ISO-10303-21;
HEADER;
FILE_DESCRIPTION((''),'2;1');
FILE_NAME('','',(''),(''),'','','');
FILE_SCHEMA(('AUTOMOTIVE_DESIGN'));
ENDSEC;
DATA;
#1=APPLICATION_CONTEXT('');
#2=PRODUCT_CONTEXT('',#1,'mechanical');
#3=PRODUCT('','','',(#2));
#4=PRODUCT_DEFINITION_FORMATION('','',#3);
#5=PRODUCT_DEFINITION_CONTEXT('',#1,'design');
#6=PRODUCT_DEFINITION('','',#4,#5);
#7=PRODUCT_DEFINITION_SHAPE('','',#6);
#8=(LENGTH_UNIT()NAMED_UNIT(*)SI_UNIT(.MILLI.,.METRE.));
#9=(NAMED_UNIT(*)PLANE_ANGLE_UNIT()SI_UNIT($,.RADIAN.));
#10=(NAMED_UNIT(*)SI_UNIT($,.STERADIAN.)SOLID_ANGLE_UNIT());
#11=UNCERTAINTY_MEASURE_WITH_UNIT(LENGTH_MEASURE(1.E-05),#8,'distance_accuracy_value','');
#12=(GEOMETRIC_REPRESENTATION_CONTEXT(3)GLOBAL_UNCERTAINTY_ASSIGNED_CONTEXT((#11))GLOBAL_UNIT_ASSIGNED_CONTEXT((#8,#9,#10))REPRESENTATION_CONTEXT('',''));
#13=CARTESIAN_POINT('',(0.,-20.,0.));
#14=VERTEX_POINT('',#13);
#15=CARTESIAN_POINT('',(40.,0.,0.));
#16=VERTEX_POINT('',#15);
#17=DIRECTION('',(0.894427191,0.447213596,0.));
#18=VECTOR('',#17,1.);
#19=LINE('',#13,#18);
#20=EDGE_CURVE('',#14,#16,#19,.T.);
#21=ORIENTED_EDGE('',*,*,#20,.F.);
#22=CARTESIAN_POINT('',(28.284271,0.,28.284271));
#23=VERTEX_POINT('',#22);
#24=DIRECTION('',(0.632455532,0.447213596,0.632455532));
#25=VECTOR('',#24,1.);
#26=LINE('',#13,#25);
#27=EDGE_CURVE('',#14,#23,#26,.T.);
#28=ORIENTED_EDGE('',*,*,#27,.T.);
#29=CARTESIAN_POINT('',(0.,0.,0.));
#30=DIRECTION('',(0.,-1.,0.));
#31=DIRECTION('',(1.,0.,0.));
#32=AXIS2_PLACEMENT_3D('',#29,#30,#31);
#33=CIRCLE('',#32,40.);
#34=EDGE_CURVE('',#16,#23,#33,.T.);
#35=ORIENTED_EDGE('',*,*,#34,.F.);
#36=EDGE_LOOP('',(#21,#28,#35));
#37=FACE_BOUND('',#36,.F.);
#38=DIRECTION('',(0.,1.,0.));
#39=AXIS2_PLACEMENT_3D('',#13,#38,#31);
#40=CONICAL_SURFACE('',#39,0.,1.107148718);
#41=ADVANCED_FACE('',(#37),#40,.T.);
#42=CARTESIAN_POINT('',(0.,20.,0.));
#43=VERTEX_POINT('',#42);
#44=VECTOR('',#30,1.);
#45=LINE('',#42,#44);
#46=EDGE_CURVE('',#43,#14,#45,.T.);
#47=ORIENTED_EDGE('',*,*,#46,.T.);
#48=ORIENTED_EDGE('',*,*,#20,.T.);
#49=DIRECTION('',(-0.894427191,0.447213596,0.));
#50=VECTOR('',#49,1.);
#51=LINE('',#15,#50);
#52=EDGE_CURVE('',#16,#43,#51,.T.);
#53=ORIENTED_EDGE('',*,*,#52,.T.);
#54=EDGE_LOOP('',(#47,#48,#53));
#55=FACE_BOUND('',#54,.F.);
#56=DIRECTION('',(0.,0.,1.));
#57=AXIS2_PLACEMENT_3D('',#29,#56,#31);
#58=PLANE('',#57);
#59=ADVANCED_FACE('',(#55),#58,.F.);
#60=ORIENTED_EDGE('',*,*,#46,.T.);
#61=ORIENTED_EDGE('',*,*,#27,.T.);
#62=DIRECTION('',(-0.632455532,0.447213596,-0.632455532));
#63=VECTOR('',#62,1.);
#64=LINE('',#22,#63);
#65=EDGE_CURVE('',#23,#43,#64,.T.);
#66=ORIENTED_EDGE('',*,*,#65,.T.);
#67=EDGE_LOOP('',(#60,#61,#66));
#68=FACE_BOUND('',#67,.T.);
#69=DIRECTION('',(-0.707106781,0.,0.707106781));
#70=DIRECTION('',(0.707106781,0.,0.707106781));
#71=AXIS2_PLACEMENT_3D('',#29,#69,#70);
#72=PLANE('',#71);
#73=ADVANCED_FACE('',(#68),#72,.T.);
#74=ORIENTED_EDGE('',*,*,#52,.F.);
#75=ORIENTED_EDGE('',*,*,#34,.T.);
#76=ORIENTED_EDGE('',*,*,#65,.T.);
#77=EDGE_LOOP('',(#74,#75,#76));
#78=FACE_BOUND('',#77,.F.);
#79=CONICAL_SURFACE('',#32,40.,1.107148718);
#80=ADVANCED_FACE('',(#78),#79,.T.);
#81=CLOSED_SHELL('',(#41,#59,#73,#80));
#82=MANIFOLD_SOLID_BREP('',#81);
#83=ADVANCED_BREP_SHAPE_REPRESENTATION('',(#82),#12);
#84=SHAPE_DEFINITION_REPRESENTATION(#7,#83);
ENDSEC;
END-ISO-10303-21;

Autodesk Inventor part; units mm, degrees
ref_plane "YZ Plane" through (0, 0, 0) normal (1, 0, 0) x (0, 1, 0)
ref_plane "XZ Plane" through (0, 0, 0) normal (0, 1, 0) x (-1, 0, 0)
ref_plane "XY Plane" through (0, 0, 0) normal (0, 0, 1) x (1, 0, 0)
sketch "Skizze1" plane through (0, 0, 0) normal (0, 0, 1) x (1, 0, 0)
  line L0 (0, 20) -> (0, -20)
  line L1 (0, -20) -> (40, 0)
  line L2 (40, 0) -> (0, 20)
  line L3 (40, 0) -> (8.4479, 0) construction
  line L4 (-8, 0) -> (48, 0) construction
  line L5 (0, -28) -> (0, 28) construction
  point P0 (0, 0)
  dimension "d4" = 40
  dimension "d5" = 40
revolve "Umdrehung1" add sketch "Skizze1" angle 45 about axis through (0, 20, 0) along (0, -1, 0)
equation "\"d5\" = d4"
properties part number "Rotation"
